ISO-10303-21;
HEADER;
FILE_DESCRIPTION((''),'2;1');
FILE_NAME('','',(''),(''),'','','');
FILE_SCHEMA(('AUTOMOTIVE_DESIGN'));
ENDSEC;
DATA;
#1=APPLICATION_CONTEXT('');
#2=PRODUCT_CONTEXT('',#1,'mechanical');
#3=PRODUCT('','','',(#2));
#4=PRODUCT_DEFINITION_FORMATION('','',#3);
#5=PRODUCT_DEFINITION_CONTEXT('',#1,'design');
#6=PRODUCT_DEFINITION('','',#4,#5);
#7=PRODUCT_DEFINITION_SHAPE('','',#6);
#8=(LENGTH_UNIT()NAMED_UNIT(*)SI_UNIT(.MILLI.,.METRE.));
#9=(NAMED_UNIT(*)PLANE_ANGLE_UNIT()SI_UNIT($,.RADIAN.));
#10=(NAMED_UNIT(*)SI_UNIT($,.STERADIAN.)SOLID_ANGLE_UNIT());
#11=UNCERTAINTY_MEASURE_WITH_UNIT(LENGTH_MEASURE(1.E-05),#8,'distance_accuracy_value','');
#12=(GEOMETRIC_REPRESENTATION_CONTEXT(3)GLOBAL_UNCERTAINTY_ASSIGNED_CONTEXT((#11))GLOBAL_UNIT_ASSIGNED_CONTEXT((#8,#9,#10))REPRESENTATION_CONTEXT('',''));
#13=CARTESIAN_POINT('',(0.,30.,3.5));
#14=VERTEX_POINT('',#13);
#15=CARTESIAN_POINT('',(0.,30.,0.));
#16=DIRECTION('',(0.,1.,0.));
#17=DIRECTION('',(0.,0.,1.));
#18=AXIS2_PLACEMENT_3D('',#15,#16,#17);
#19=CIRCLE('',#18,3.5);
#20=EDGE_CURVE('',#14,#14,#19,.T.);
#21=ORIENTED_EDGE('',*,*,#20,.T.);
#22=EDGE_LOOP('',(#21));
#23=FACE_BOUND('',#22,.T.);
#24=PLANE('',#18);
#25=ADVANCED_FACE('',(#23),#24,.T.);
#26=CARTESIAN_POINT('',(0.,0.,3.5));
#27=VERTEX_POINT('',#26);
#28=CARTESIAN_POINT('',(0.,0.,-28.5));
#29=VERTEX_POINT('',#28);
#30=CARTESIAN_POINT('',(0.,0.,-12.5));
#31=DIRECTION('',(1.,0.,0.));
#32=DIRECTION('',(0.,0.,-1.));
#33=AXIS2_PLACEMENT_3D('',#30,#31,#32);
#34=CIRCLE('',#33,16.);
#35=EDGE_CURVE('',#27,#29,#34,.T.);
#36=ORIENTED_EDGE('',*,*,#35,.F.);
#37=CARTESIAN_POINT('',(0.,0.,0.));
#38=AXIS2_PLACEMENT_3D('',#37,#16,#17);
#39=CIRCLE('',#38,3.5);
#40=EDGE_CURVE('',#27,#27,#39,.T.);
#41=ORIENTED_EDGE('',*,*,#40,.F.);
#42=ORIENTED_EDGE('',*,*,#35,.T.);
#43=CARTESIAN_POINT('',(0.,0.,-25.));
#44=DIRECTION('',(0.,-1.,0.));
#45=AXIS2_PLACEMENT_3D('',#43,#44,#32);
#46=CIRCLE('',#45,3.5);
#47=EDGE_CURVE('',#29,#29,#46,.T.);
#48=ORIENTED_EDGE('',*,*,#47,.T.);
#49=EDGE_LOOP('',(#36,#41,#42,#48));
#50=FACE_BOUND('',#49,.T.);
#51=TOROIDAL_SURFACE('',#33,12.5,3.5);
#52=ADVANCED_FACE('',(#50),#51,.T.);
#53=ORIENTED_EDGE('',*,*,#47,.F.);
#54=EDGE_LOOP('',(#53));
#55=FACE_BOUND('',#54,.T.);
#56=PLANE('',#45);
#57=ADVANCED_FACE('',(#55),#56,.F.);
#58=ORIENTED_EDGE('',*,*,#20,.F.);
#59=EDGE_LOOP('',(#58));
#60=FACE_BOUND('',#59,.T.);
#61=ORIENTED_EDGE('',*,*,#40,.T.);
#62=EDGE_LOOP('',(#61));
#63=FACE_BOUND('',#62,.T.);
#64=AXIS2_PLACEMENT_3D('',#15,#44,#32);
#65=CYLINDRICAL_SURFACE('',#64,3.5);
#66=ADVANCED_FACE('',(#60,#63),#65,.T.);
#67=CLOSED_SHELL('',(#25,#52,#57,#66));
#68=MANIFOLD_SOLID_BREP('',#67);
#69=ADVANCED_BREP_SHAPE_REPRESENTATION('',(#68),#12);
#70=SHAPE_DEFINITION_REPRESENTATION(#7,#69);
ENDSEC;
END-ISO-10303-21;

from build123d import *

# Parameters (mm, degrees)
SKETCH3_R = 3.5


with BuildPart() as part:
    # Sweep1: sweep along a path in Sketch2
    with BuildLine(Plane(origin=(0, 0, 0), x_dir=(0, 0, -1), z_dir=(1, 0, 0))) as sweep1_path:
        Line((0, 30), (0, 0))
        ThreePointArc((0, 0), (12.5, -12.5), (25, 0))
    # Sketch3 → Sweep1 (sweep)
    with BuildSketch(Plane(origin=(0, 30, 0), x_dir=(1, 0, 0), z_dir=(0, 1, 0))):
        Circle(SKETCH3_R)
    sweep(path=sweep1_path.line)


solid = part.part
